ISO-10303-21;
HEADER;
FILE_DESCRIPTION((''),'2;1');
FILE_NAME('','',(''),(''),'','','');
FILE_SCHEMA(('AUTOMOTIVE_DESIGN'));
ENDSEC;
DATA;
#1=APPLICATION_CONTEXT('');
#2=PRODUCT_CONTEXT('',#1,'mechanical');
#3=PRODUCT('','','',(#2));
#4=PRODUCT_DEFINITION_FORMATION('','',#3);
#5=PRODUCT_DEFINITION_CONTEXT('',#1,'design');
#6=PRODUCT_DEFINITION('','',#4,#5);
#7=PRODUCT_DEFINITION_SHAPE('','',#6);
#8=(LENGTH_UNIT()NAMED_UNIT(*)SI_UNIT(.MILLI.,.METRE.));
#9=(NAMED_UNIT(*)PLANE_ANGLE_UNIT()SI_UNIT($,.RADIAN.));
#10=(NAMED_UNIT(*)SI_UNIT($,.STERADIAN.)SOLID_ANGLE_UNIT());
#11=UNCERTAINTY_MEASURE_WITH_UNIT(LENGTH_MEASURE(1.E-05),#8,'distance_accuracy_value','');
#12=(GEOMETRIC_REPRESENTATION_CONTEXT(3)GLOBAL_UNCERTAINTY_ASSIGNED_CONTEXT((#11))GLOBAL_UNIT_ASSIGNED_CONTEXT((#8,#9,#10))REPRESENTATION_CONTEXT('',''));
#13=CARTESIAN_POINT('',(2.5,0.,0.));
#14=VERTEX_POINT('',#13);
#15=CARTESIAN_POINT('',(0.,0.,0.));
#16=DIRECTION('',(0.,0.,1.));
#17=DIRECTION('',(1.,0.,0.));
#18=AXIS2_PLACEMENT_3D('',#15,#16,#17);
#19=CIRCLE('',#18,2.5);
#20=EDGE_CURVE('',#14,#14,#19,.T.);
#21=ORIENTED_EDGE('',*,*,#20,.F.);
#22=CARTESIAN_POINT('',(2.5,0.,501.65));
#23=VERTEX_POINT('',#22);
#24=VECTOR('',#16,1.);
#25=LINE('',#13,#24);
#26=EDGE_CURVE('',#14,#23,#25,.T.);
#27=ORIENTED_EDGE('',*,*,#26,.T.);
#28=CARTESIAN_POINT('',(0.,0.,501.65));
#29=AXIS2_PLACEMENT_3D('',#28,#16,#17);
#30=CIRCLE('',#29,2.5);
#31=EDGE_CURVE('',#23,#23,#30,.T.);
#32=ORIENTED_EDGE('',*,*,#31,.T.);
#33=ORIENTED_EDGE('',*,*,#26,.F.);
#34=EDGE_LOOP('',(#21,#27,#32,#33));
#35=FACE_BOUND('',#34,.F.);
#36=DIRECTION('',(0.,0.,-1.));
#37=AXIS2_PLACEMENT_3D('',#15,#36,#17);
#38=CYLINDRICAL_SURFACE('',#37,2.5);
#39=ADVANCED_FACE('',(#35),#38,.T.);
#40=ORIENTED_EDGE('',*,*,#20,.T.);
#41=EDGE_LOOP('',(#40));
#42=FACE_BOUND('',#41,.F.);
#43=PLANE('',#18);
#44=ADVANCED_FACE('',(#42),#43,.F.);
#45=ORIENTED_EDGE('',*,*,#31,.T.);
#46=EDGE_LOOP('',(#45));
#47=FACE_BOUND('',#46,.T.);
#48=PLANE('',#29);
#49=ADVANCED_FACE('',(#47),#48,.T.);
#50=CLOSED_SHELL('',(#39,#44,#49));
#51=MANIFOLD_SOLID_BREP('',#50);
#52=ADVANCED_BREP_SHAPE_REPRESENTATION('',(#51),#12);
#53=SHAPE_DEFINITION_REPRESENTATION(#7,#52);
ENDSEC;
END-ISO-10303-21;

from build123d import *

# Parameters (mm, degrees)
SKETCH_R  = 2.5
PAD_DEPTH = 501.65


with BuildPart() as part:
    # Sketch → Pad (new body)
    with BuildSketch(Plane.XY):
        Circle(SKETCH_R)
    extrude(amount=PAD_DEPTH)


solid = part.part
